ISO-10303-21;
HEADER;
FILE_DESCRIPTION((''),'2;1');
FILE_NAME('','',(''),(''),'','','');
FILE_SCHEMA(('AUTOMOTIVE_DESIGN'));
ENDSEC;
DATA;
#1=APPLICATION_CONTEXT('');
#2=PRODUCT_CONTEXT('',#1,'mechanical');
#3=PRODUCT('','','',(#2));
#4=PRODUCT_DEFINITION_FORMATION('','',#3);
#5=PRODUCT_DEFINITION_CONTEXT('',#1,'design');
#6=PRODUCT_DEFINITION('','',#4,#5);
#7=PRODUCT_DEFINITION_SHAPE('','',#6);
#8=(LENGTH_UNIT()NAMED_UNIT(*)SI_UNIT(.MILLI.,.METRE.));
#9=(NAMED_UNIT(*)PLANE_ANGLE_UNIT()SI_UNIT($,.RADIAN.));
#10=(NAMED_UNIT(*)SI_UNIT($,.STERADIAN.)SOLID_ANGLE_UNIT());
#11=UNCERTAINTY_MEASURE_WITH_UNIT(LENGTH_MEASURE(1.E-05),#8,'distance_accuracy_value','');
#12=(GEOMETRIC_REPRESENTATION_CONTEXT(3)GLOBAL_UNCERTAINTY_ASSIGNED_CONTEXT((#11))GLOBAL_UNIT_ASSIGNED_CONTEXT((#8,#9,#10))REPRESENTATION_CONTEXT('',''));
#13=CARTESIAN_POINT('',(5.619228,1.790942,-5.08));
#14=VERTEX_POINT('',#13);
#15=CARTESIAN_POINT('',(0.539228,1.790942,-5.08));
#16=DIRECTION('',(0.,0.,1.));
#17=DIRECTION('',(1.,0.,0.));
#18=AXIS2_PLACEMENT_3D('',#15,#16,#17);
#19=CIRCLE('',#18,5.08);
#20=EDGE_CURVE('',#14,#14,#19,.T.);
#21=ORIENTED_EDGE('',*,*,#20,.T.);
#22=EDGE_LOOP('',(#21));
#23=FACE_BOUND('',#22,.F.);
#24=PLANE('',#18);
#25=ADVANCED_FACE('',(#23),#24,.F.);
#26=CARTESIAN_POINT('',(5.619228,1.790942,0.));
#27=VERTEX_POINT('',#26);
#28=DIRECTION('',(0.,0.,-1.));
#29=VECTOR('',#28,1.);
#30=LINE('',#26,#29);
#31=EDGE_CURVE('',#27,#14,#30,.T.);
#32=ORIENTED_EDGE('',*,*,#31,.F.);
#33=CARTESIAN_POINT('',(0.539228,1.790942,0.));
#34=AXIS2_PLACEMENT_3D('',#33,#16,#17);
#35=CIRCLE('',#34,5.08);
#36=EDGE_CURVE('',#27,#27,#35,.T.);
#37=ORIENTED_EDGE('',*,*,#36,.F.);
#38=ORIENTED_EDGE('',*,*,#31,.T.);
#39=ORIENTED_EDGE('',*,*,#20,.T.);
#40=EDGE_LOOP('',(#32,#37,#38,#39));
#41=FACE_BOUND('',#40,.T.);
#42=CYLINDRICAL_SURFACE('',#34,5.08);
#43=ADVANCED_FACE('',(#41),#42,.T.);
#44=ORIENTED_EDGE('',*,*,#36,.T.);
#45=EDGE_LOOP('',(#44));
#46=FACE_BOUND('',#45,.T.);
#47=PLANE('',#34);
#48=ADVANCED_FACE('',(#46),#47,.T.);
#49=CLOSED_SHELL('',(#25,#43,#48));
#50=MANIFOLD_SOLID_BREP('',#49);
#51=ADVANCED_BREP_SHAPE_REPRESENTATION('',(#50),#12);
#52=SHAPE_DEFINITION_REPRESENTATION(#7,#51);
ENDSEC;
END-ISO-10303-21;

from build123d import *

# Parameters (mm, degrees)
F1_R     = 5.08
F2_DEPTH = 5.08


with BuildPart() as f2:
    # F1 (on face) → F2 (new body)
    with BuildSketch(Plane.XY):
        with Locations((0.539228, 1.790942)):
            Circle(F1_R)
    extrude(amount=-F2_DEPTH)


solid = f2.part
